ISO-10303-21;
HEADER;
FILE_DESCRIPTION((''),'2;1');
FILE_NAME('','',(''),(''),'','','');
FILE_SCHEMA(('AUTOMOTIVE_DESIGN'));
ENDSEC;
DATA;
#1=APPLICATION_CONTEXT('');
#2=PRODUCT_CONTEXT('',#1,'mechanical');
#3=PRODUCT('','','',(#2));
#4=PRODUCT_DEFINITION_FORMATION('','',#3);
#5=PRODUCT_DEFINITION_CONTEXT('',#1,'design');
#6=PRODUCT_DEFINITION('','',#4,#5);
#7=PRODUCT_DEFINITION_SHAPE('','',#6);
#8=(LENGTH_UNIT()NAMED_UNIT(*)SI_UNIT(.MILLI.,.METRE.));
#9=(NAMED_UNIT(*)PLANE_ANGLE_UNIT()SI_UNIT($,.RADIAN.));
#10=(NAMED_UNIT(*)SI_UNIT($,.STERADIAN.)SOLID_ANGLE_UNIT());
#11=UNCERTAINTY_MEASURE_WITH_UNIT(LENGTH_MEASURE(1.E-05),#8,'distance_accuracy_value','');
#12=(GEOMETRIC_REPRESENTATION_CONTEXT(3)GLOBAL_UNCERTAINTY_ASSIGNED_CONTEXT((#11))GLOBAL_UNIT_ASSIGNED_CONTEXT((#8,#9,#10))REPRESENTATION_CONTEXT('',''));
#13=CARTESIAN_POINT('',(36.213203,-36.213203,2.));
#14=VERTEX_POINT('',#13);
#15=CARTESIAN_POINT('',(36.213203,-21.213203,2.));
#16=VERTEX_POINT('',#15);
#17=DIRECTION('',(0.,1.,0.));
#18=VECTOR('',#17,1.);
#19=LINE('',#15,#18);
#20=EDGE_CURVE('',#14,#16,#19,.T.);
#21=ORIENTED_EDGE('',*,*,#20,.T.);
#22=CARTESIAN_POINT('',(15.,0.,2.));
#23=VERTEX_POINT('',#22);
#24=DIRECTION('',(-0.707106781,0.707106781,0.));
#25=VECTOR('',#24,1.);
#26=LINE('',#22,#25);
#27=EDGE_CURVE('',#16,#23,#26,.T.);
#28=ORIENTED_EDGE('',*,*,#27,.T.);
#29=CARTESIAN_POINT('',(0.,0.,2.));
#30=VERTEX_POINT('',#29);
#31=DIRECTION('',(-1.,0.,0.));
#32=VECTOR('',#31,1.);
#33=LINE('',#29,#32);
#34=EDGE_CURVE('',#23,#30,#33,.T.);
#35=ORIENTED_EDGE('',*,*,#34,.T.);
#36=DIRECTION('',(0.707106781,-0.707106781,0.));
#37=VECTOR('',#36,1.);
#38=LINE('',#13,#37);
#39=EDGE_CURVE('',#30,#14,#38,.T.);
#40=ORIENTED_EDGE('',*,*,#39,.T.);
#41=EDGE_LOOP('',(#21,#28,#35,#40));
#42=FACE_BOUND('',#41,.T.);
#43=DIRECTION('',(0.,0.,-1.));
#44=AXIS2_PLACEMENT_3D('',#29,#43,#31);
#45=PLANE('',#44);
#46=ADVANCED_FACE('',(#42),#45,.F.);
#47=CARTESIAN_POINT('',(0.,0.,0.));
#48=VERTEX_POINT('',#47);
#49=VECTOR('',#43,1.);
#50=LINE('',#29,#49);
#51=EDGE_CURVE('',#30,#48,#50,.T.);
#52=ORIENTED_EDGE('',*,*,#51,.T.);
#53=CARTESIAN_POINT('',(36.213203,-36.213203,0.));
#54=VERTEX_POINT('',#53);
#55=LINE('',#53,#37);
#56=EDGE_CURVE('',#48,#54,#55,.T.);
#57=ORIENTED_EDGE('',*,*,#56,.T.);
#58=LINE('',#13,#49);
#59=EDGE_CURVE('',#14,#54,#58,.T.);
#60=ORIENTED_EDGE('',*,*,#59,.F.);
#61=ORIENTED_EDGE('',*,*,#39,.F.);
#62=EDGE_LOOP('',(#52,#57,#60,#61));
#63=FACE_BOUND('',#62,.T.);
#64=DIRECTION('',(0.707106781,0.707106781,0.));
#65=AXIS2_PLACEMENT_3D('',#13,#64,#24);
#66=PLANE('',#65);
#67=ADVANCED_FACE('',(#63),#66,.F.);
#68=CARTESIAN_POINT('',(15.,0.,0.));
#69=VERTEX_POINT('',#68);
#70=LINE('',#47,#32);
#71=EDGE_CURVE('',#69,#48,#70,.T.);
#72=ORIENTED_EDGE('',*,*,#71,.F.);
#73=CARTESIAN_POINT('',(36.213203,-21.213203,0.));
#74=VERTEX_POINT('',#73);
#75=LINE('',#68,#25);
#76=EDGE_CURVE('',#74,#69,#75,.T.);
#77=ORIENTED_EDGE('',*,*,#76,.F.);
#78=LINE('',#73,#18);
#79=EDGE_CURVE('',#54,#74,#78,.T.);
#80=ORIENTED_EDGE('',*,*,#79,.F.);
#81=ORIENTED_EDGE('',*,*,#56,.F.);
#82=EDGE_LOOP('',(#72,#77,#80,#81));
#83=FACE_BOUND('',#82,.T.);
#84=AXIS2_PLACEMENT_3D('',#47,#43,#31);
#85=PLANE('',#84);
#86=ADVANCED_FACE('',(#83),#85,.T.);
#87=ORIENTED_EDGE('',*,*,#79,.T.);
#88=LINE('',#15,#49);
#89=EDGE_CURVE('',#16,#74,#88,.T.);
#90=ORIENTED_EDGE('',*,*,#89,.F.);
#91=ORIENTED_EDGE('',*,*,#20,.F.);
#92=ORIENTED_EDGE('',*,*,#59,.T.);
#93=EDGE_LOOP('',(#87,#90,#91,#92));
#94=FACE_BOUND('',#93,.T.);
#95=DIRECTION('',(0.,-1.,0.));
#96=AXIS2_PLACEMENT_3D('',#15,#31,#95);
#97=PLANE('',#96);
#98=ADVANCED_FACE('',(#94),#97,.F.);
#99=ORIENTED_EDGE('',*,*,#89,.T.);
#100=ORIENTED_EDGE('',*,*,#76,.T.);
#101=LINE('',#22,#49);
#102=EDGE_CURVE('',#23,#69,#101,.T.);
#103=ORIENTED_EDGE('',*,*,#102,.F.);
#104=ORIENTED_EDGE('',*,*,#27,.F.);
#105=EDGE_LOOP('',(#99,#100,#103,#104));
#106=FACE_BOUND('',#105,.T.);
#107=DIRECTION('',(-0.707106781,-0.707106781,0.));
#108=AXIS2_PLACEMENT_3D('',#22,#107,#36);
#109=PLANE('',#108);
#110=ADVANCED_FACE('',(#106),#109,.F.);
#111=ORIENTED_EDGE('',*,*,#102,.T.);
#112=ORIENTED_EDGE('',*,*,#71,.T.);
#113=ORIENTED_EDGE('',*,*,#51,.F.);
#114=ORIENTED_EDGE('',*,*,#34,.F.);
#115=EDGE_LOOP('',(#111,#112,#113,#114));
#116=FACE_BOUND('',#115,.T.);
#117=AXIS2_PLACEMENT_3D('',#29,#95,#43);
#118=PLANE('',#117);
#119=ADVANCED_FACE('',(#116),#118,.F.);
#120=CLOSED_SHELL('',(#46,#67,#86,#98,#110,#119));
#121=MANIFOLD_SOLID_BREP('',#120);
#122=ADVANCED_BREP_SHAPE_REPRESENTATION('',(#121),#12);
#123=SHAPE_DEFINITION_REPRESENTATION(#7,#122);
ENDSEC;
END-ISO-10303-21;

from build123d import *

# Parameters (mm, degrees)
BOSS_EXTRUDE1_DEPTH = 2


with BuildPart() as part:
    # Sketch1 → Boss-Extrude1 (new body)
    with BuildSketch(Plane.XY):
        Polygon((0, 0), (15, 0), (36.213203436, -21.213203436), (36.213203436, -36.213203436), align=None)
    extrude(amount=BOSS_EXTRUDE1_DEPTH)


solid = part.part
